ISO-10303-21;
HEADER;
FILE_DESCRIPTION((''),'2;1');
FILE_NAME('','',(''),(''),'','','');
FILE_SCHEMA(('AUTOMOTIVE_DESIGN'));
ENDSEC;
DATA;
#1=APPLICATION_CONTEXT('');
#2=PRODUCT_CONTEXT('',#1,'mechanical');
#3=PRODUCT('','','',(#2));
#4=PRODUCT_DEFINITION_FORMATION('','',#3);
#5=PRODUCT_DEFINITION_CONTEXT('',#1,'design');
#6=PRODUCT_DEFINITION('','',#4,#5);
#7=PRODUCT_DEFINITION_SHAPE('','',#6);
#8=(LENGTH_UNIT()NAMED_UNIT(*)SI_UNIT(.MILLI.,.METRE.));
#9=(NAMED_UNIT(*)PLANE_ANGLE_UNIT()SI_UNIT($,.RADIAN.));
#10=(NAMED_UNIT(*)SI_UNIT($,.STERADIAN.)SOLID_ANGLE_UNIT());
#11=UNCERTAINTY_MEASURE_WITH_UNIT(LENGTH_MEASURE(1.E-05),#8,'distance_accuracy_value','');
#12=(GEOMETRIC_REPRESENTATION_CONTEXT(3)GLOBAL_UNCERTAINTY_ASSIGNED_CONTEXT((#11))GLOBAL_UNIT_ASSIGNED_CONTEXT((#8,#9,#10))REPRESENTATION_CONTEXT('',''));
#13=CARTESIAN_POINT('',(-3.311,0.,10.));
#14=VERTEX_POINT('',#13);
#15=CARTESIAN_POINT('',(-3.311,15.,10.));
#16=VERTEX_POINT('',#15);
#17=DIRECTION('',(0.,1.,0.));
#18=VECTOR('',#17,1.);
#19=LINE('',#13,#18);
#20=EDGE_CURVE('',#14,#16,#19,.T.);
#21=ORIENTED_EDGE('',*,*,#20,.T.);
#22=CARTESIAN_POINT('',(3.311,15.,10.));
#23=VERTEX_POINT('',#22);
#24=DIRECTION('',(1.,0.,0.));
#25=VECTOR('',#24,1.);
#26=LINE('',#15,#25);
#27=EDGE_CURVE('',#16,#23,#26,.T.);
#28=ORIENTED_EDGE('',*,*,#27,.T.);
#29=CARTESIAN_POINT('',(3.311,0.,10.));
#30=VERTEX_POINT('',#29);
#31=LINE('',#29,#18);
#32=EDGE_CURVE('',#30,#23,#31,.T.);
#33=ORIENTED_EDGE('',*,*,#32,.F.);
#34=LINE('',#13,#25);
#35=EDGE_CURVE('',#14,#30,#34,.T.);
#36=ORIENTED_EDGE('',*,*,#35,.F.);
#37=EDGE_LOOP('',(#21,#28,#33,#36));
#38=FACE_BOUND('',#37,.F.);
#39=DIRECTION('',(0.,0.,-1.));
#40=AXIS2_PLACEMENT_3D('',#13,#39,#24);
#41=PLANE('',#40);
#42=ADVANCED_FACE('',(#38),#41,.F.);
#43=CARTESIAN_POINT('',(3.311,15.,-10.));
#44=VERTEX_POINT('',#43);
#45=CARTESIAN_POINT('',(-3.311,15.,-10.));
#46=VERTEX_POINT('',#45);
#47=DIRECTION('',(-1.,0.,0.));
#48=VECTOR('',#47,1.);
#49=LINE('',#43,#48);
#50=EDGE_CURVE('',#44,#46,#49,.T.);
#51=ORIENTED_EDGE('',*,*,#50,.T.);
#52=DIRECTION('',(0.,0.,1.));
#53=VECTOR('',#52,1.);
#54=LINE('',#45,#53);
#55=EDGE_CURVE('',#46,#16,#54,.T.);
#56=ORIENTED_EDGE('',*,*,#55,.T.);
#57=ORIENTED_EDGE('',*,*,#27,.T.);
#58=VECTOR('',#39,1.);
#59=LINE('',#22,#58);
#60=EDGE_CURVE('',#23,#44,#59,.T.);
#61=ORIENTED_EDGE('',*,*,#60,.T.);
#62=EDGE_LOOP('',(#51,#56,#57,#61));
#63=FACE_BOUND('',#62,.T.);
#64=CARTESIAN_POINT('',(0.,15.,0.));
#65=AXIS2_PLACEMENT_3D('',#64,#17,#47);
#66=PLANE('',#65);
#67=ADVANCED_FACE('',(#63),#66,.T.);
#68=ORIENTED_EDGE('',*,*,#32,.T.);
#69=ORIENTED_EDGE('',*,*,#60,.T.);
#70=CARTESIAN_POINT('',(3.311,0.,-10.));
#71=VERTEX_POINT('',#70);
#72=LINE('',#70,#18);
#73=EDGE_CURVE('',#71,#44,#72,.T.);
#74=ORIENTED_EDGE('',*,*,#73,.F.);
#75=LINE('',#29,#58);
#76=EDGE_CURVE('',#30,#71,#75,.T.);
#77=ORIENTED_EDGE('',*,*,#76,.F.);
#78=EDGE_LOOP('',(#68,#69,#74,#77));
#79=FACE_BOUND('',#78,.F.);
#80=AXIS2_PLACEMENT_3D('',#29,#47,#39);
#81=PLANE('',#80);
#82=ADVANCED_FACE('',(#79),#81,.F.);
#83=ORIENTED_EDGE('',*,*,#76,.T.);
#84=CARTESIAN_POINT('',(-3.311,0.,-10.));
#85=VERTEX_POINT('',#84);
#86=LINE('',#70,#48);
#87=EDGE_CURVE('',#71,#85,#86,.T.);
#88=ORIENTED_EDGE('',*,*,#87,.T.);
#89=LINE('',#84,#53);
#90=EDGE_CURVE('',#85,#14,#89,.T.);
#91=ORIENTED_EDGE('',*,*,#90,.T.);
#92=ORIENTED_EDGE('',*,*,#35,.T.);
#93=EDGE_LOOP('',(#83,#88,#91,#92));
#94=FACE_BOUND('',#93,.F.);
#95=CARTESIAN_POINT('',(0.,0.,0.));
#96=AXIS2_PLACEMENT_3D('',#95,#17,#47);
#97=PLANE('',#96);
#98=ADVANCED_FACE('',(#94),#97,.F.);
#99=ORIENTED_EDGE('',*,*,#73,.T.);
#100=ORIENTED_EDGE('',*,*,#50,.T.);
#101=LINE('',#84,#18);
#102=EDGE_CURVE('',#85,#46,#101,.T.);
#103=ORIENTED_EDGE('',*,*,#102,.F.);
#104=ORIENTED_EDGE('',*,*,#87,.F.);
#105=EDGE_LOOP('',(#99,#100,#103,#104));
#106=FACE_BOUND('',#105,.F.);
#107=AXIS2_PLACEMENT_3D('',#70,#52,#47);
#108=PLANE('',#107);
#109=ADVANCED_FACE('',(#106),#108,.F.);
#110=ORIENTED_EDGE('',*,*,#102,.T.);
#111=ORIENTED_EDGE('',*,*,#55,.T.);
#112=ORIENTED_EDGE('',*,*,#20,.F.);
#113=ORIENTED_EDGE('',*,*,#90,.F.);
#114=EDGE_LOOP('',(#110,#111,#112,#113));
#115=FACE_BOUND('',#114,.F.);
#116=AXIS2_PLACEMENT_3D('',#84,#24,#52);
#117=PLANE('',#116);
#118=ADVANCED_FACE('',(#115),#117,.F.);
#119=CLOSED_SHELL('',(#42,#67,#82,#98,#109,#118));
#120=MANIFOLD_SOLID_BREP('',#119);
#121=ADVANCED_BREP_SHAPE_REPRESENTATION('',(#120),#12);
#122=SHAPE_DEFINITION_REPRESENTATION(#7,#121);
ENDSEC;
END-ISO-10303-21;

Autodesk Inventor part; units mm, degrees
ref_plane "YZ Plane" through (0, 0, 0) normal (1, 0, 0) x (0, 1, 0)
ref_plane "XZ Plane" through (0, 0, 0) normal (0, 1, 0) x (-1, 0, 0)
ref_plane "XY Plane" through (0, 0, 0) normal (0, 0, 1) x (1, 0, 0)
sketch "Skizze1" plane through (0, 0, 0) normal (0, 1, 0) x (-1, 0, 0)
  line L0 (3.311, 10) -> (-3.311, 10)
  line L1 (-3.311, 10) -> (-3.311, -10)
  line L2 (-3.311, -10) -> (3.311, -10)
  line L3 (3.311, -10) -> (3.311, 10)
  line L4 (4.6354, 0) -> (-4.6354, 0) construction
  line L5 (0, -14) -> (0, 14) construction
  point P0 (0, 0)
  dimension "d0" = 6.622
  dimension "d1" = 20
extrude "Extrusion1" add sketch "Skizze1" along normal blind 15
properties part number "Wellennut"
